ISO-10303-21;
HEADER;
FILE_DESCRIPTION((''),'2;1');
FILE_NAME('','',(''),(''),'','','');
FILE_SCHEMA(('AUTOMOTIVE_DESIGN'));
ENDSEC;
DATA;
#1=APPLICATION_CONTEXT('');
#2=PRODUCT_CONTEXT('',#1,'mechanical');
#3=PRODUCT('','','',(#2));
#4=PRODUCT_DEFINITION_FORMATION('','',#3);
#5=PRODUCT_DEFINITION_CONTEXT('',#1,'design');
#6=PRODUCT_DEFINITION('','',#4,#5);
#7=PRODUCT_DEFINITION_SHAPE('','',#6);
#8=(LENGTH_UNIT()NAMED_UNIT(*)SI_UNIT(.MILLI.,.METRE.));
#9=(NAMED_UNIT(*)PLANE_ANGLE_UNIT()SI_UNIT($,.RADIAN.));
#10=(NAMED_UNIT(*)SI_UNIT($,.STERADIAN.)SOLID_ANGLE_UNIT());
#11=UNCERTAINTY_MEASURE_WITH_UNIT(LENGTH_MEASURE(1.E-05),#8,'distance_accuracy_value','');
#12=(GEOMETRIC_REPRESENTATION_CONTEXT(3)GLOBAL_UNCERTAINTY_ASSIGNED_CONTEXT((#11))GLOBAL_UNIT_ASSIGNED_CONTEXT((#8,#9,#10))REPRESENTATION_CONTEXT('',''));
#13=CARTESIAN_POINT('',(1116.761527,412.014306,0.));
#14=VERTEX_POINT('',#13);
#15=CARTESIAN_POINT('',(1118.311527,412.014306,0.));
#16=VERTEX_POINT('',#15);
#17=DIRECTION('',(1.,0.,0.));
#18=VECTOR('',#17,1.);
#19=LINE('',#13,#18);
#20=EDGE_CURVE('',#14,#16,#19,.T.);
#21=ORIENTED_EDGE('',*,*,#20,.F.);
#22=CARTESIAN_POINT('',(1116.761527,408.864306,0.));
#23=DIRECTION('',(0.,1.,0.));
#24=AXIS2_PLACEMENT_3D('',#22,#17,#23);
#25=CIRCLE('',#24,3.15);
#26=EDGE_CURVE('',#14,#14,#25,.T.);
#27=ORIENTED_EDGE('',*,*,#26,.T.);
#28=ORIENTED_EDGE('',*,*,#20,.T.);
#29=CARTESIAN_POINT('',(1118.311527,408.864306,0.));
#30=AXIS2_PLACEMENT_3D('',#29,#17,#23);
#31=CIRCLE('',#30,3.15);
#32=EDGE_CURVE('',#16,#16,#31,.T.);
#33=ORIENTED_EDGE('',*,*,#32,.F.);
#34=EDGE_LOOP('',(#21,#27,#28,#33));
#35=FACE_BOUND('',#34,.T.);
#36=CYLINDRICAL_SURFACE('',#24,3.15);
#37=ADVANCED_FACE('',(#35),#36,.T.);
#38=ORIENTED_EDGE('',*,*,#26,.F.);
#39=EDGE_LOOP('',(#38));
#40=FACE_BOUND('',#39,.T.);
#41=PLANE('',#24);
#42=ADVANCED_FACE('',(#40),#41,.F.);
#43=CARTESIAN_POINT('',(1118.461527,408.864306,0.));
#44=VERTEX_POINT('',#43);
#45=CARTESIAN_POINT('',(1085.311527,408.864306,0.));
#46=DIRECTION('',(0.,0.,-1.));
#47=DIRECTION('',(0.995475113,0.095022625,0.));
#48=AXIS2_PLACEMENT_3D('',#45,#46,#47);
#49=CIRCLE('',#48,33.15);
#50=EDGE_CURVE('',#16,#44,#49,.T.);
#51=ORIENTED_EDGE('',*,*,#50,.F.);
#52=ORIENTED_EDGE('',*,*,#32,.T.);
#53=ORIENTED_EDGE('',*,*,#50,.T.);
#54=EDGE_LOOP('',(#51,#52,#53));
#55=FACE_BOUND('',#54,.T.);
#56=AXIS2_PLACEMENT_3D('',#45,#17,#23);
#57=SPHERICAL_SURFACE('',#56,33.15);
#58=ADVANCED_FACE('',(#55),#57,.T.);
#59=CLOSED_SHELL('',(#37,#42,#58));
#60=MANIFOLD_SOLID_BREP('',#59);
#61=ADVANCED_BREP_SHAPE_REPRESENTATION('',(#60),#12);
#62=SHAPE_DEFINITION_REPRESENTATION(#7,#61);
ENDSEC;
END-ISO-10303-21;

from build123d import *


with BuildPart() as part:
    # 草图2 → 旋转1 (revolve)
    with BuildSketch(Plane.XY):
        with BuildLine():
            Line((1116.761526673, 408.864306222), (1116.761526673, 412.014306222))
            Line((1116.761526673, 412.014306222), (1118.311526673, 412.014306222))
            ThreePointArc((1118.311526673, 412.014306222), (1118.424005439, 410.441090925), (1118.461526673, 408.864306222))
            Line((1118.461526673, 408.864306222), (1116.761526673, 408.864306222))
        make_face()
    revolve(axis=Axis((1116.27186869, 408.864306222, 0), (1, 0, 0)))


solid = part.part
